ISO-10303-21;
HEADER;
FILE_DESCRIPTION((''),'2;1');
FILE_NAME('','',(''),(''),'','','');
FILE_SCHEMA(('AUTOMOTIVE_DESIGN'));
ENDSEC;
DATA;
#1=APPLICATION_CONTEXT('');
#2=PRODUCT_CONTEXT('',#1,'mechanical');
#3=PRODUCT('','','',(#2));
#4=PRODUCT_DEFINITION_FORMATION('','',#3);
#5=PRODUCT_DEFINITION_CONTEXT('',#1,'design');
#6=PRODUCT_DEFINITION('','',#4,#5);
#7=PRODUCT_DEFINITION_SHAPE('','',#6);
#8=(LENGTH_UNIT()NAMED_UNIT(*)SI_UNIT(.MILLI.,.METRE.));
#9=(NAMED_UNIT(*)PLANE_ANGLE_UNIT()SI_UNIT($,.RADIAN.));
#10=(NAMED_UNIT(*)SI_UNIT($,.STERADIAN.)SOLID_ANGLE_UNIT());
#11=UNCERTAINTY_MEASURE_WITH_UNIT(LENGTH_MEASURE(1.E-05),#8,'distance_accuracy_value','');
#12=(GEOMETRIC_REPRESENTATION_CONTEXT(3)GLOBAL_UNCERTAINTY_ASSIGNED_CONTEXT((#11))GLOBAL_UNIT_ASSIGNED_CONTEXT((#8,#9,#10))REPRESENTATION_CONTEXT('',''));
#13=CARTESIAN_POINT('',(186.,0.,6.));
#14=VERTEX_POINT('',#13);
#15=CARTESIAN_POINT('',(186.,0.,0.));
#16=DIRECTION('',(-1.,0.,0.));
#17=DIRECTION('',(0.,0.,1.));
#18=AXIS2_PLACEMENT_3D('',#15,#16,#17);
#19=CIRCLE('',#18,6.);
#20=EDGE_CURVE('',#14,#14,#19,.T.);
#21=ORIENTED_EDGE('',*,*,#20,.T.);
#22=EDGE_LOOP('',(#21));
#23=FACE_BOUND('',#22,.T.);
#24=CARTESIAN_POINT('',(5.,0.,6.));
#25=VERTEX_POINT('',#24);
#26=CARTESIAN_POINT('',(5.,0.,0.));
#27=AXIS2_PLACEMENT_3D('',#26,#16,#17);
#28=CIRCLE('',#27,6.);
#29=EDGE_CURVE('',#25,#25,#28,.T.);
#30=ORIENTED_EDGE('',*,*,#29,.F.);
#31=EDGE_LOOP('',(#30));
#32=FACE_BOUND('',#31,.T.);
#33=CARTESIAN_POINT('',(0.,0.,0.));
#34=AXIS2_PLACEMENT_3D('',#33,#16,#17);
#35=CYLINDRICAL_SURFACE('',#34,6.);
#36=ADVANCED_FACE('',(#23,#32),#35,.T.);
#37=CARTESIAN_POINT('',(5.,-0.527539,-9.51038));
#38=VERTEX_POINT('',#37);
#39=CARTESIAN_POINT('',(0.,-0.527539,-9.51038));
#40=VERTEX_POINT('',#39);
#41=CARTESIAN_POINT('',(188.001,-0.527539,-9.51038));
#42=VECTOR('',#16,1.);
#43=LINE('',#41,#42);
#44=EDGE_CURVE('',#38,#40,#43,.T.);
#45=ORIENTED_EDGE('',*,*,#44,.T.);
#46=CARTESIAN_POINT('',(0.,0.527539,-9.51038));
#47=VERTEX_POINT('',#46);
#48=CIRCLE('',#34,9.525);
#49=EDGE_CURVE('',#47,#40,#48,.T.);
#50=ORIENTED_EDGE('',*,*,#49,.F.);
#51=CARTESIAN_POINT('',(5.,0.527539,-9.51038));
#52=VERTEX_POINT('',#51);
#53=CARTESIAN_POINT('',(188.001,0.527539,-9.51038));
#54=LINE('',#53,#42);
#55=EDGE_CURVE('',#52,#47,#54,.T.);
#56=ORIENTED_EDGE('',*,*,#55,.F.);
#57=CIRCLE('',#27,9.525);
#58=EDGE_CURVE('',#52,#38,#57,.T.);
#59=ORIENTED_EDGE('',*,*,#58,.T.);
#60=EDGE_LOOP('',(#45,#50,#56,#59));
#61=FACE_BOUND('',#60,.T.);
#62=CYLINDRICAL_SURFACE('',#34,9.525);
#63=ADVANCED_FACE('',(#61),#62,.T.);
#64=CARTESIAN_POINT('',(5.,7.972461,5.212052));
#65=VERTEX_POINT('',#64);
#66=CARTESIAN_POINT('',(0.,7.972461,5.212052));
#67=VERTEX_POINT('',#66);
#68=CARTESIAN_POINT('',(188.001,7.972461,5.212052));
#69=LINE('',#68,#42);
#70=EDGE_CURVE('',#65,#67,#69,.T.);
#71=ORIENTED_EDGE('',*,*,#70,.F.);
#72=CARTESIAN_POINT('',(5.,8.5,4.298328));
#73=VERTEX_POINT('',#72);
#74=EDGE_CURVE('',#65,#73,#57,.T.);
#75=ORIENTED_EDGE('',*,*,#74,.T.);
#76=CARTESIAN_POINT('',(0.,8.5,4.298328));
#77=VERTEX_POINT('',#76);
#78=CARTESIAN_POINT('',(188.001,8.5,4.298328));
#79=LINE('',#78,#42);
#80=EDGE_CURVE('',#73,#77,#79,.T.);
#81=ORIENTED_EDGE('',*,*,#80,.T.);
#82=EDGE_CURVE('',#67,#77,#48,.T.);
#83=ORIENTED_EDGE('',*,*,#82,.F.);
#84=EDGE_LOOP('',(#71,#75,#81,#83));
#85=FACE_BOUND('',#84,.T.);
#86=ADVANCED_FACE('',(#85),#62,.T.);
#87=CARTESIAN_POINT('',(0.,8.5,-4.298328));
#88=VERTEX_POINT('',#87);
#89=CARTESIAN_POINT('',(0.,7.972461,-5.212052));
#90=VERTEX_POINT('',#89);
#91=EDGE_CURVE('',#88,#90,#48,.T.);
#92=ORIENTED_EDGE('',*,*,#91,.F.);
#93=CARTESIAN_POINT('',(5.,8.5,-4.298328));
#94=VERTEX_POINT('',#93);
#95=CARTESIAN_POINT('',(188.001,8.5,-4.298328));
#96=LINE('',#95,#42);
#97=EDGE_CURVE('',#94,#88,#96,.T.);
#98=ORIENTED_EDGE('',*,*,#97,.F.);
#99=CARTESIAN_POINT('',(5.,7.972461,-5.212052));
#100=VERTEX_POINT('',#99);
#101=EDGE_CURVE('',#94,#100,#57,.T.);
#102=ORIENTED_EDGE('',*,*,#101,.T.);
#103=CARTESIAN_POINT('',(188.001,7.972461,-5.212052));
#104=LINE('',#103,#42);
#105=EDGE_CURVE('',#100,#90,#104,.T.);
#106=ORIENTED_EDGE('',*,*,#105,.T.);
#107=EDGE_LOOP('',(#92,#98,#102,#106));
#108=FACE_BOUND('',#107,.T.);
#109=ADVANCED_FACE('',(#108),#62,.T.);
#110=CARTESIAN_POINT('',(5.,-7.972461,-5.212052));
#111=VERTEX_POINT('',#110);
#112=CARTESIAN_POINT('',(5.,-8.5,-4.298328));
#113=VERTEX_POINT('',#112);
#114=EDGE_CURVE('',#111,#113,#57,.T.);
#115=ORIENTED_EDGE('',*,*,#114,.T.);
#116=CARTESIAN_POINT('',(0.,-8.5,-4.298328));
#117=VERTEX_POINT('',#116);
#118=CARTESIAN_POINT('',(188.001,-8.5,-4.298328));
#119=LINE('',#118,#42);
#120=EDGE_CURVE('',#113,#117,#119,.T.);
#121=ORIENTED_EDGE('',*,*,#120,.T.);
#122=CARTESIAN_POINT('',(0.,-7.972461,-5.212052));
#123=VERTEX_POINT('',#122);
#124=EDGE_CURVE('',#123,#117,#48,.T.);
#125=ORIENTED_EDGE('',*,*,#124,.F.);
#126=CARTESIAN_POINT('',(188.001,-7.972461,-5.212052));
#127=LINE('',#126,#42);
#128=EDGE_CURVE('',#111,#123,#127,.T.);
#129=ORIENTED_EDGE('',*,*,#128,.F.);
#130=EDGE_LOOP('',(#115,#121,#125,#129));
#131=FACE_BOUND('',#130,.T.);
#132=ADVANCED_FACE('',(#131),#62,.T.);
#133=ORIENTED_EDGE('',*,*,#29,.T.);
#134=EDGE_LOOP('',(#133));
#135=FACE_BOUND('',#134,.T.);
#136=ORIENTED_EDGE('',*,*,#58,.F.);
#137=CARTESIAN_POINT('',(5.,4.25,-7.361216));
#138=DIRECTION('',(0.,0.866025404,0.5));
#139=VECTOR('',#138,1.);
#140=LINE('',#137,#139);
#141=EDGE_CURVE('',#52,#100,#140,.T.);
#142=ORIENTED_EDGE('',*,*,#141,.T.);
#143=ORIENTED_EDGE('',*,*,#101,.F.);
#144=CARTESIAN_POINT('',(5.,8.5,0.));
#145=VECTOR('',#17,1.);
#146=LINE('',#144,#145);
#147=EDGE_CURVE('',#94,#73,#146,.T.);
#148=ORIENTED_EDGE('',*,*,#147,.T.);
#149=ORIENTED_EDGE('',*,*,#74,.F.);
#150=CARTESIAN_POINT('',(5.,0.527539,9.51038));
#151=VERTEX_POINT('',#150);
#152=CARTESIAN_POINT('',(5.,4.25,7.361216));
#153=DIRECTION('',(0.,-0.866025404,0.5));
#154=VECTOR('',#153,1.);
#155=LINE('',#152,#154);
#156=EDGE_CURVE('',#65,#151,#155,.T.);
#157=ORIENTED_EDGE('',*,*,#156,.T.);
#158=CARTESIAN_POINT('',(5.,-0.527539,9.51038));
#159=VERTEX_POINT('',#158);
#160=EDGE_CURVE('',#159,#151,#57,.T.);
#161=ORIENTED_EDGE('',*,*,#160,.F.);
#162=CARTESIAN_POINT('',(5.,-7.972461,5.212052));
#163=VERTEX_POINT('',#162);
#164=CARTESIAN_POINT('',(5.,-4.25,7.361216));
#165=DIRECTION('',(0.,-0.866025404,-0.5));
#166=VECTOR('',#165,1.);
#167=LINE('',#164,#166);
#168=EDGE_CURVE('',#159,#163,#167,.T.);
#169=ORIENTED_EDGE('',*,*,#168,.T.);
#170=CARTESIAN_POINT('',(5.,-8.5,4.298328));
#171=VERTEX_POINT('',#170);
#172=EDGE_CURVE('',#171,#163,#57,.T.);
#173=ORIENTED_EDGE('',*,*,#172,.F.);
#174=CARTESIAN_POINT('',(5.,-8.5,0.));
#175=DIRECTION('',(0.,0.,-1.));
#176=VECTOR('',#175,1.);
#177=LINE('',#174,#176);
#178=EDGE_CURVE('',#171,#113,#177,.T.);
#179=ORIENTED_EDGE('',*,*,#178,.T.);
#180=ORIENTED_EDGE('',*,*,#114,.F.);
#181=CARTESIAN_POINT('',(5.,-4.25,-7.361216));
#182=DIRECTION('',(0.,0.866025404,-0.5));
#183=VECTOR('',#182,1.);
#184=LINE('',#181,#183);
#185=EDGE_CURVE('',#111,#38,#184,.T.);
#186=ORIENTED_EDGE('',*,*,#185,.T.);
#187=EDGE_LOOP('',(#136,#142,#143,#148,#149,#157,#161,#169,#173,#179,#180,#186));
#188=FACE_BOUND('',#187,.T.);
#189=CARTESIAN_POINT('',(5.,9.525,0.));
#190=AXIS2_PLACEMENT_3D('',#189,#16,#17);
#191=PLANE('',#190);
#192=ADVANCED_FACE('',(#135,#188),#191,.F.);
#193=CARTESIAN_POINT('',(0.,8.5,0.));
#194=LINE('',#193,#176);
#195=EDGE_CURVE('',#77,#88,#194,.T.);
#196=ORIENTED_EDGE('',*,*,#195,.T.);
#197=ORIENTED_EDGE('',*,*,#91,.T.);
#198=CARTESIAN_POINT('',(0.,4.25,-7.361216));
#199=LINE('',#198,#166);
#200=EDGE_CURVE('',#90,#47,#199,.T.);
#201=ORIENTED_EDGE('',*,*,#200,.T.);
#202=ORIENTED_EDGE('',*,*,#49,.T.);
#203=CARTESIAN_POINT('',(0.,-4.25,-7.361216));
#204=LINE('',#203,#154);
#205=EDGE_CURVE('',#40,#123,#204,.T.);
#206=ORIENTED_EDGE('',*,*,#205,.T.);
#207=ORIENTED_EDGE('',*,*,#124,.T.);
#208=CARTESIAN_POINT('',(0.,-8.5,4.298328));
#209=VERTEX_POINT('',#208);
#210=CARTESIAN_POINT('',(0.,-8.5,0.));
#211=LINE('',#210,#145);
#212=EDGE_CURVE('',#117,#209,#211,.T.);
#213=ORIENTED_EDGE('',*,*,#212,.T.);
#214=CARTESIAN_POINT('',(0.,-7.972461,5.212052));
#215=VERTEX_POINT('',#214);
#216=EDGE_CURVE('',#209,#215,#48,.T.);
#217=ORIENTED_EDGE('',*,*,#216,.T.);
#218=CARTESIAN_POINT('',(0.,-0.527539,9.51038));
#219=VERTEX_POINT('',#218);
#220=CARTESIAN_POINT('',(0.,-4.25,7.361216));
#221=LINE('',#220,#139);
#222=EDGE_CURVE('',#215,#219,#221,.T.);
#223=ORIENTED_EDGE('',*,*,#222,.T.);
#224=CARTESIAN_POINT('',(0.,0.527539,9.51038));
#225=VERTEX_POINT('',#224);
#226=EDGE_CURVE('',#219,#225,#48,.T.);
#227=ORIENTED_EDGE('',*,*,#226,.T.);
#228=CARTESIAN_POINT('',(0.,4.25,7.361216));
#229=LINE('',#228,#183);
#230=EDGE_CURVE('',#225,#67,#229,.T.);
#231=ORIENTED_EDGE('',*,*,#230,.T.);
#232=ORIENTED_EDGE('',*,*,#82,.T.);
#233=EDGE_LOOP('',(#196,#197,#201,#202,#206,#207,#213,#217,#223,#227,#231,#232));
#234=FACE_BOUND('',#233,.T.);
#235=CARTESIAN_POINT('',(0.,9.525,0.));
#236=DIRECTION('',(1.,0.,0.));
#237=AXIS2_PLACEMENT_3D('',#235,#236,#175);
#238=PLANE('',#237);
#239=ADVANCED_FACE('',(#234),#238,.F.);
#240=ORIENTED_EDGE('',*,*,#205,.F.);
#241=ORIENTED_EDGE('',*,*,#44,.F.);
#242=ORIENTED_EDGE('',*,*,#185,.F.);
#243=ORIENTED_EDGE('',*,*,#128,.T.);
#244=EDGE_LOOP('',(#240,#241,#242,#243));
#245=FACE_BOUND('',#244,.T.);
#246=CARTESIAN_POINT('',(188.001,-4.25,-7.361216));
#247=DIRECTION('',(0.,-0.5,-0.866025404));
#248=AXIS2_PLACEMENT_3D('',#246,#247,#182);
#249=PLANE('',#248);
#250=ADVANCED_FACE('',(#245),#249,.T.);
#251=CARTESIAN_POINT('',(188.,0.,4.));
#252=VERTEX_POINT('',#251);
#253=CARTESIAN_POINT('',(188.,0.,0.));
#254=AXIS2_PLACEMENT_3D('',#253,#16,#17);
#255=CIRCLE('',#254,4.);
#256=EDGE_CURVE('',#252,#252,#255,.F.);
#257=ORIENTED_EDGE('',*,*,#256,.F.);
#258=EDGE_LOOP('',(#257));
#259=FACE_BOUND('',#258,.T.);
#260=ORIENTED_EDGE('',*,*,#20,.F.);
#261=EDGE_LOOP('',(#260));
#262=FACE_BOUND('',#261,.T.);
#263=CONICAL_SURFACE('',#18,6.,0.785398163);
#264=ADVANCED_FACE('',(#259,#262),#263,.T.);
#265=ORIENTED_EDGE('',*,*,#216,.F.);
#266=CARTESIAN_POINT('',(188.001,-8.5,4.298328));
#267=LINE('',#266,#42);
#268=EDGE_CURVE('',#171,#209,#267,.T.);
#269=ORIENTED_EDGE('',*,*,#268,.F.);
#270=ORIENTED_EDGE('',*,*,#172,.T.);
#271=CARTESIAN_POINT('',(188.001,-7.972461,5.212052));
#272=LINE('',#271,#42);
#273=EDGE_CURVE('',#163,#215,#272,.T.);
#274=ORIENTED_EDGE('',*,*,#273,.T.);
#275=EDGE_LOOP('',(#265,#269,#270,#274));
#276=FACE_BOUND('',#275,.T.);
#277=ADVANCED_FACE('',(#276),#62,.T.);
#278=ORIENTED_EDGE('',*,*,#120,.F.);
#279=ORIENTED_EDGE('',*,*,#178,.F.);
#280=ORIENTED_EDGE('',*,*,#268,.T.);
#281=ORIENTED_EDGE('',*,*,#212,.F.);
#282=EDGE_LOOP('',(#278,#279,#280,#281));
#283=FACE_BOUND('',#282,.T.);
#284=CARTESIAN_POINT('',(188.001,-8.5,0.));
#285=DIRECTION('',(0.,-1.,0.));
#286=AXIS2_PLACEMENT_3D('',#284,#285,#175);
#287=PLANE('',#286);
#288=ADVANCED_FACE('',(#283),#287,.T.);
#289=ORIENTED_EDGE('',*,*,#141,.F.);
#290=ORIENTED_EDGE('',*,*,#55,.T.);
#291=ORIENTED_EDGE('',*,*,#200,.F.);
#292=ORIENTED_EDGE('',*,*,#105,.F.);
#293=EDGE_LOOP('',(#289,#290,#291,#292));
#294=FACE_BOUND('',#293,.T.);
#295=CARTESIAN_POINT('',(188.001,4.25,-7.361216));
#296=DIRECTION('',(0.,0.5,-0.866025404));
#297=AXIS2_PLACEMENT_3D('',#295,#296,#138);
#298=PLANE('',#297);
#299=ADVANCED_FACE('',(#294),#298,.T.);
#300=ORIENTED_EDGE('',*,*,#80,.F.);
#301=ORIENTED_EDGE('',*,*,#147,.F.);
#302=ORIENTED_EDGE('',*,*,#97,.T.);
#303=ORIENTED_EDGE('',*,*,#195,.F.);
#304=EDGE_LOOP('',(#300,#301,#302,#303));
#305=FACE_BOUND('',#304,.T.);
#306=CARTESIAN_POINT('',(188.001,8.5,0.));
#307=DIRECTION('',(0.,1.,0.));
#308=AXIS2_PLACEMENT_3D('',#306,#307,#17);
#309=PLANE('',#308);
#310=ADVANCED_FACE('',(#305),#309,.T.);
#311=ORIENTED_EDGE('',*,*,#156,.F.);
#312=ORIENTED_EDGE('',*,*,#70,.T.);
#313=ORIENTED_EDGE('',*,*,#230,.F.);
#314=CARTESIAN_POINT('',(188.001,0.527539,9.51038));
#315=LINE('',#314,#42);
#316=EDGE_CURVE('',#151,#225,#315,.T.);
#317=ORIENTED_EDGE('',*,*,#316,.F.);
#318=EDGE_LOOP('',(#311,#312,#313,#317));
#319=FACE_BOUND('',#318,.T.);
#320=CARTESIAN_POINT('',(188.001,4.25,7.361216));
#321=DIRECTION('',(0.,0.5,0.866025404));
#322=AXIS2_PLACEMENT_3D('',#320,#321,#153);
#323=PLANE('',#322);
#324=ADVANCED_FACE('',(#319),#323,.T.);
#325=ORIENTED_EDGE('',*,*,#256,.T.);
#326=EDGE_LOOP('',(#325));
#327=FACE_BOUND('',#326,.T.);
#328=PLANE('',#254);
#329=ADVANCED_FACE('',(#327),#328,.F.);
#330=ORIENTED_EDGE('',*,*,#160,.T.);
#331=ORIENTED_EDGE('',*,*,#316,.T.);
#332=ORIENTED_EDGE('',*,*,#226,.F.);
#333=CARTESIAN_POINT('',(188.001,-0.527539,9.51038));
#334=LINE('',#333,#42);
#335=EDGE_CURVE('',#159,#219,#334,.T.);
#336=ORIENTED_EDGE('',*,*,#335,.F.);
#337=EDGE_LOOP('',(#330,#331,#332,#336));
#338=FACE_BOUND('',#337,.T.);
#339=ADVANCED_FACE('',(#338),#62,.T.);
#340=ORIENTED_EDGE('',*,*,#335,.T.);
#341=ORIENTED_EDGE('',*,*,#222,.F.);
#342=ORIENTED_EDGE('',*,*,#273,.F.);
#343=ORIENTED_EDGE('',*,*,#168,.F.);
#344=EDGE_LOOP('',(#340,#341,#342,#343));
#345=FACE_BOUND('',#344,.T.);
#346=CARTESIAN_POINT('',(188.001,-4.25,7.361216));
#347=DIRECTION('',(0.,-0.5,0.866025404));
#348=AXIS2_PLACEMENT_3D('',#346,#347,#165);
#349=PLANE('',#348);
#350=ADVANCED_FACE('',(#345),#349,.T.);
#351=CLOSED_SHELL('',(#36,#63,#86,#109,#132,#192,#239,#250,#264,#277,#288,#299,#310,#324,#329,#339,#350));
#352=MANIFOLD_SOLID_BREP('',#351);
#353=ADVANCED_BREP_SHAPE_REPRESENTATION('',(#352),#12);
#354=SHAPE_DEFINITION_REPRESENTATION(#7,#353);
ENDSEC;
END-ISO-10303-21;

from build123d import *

# Parameters (mm, degrees)
CHAFL_N1_SIZE         = 2
CORTAR_EXTRUIR1_REACH = 190.482


with BuildPart() as part:
    # Croquis1 → Revolución1 (revolve)
    with BuildSketch(Plane.XY, mode=Mode.PRIVATE) as revoluci_n1_sk:
        Polygon((0, 0), (188, 0), (188, 6), (5, 6), (5, 9.525), (0, 9.525), align=None)
    revolve(revoluci_n1_sk.sketch.rotate(Axis((0, 0, 0), (1, 0, 0)), 90), axis=Axis((0, 0, 0), (1, 0, 0)))

    # Chaflán1
    chafl_n1_edges = [part.edges().sort_by_distance(p)[0] for p in [
        (188, 0, -6),
    ]]
    chamfer(chafl_n1_edges, length=CHAFL_N1_SIZE)

    # Croquis2 → Cortar-Extruir1 (cut, up to next)
    with BuildSketch(Plane.ZY, mode=Mode.PRIVATE) as cortar_extruir1_sk1:
        with BuildLine():
            Line((-4.298328163, 8.5), (4.298328163, 8.5))
            ThreePointArc((4.298328163, 8.5), (0, 9.525), (-4.298328163, 8.5))
        make_face()
    cortar_extruir1_tool1 = extrude(cortar_extruir1_sk1.sketch, amount=-CORTAR_EXTRUIR1_REACH, mode=Mode.PRIVATE) & part.part
    # Croquis2 → Cortar-Extruir1 (cut, up to next)
    with BuildSketch(Plane.ZY, mode=Mode.PRIVATE) as cortar_extruir1_sk2:
        with BuildLine():
            Line((-9.510380014, 0.527538617), (-5.21205185, 7.972461383))
            ThreePointArc((-5.21205185, 7.972461383), (-8.248891971, 4.7625), (-9.510380014, 0.527538617))
        make_face()
    cortar_extruir1_tool2 = extrude(cortar_extruir1_sk2.sketch, amount=-CORTAR_EXTRUIR1_REACH, mode=Mode.PRIVATE) & part.part
    # Croquis2 → Cortar-Extruir1 (cut, up to next)
    with BuildSketch(Plane.ZY, mode=Mode.PRIVATE) as cortar_extruir1_sk3:
        with BuildLine():
            Line((-5.21205185, -7.972461383), (-9.510380014, -0.527538617))
            ThreePointArc((-9.510380014, -0.527538617), (-8.248891971, -4.7625), (-5.21205185, -7.972461383))
        make_face()
    cortar_extruir1_tool3 = extrude(cortar_extruir1_sk3.sketch, amount=-CORTAR_EXTRUIR1_REACH, mode=Mode.PRIVATE) & part.part
    # Croquis2 → Cortar-Extruir1 (cut, up to next)
    with BuildSketch(Plane.ZY, mode=Mode.PRIVATE) as cortar_extruir1_sk4:
        with BuildLine():
            ThreePointArc((-4.298328163, -8.5), (0, -9.525), (4.298328163, -8.5))
            Line((4.298328163, -8.5), (-4.298328163, -8.5))
        make_face()
    cortar_extruir1_tool4 = extrude(cortar_extruir1_sk4.sketch, amount=-CORTAR_EXTRUIR1_REACH, mode=Mode.PRIVATE) & part.part
    # Croquis2 → Cortar-Extruir1 (cut, up to next)
    with BuildSketch(Plane.ZY, mode=Mode.PRIVATE) as cortar_extruir1_sk5:
        with BuildLine():
            ThreePointArc((5.21205185, -7.972461383), (8.248891971, -4.7625), (9.510380014, -0.527538617))
            Line((9.510380014, -0.527538617), (5.21205185, -7.972461383))
        make_face()
    cortar_extruir1_tool5 = extrude(cortar_extruir1_sk5.sketch, amount=-CORTAR_EXTRUIR1_REACH, mode=Mode.PRIVATE) & part.part
    # Croquis2 → Cortar-Extruir1 (cut, up to next)
    with BuildSketch(Plane.ZY, mode=Mode.PRIVATE) as cortar_extruir1_sk6:
        with BuildLine():
            ThreePointArc((9.510380014, 0.527538617), (8.248891971, 4.7625), (5.21205185, 7.972461383))
            Line((5.21205185, 7.972461383), (9.510380014, 0.527538617))
        make_face()
    cortar_extruir1_tool6 = extrude(cortar_extruir1_sk6.sketch, amount=-CORTAR_EXTRUIR1_REACH, mode=Mode.PRIVATE) & part.part
    add(cortar_extruir1_tool1.solids().sort_by_distance((0, 8.911952, 0))[0], mode=Mode.SUBTRACT)
    add(cortar_extruir1_tool2.solids().sort_by_distance((0, 4.455976, -7.717977))[0], mode=Mode.SUBTRACT)
    add(cortar_extruir1_tool3.solids().sort_by_distance((0, -4.455976, -7.717977))[0], mode=Mode.SUBTRACT)
    add(cortar_extruir1_tool4.solids().sort_by_distance((0, -8.911952, 0))[0], mode=Mode.SUBTRACT)
    add(cortar_extruir1_tool5.solids().sort_by_distance((0, -4.455976, 7.717977))[0], mode=Mode.SUBTRACT)
    add(cortar_extruir1_tool6.solids().sort_by_distance((0, 4.455976, 7.717977))[0], mode=Mode.SUBTRACT)


solid = part.part
